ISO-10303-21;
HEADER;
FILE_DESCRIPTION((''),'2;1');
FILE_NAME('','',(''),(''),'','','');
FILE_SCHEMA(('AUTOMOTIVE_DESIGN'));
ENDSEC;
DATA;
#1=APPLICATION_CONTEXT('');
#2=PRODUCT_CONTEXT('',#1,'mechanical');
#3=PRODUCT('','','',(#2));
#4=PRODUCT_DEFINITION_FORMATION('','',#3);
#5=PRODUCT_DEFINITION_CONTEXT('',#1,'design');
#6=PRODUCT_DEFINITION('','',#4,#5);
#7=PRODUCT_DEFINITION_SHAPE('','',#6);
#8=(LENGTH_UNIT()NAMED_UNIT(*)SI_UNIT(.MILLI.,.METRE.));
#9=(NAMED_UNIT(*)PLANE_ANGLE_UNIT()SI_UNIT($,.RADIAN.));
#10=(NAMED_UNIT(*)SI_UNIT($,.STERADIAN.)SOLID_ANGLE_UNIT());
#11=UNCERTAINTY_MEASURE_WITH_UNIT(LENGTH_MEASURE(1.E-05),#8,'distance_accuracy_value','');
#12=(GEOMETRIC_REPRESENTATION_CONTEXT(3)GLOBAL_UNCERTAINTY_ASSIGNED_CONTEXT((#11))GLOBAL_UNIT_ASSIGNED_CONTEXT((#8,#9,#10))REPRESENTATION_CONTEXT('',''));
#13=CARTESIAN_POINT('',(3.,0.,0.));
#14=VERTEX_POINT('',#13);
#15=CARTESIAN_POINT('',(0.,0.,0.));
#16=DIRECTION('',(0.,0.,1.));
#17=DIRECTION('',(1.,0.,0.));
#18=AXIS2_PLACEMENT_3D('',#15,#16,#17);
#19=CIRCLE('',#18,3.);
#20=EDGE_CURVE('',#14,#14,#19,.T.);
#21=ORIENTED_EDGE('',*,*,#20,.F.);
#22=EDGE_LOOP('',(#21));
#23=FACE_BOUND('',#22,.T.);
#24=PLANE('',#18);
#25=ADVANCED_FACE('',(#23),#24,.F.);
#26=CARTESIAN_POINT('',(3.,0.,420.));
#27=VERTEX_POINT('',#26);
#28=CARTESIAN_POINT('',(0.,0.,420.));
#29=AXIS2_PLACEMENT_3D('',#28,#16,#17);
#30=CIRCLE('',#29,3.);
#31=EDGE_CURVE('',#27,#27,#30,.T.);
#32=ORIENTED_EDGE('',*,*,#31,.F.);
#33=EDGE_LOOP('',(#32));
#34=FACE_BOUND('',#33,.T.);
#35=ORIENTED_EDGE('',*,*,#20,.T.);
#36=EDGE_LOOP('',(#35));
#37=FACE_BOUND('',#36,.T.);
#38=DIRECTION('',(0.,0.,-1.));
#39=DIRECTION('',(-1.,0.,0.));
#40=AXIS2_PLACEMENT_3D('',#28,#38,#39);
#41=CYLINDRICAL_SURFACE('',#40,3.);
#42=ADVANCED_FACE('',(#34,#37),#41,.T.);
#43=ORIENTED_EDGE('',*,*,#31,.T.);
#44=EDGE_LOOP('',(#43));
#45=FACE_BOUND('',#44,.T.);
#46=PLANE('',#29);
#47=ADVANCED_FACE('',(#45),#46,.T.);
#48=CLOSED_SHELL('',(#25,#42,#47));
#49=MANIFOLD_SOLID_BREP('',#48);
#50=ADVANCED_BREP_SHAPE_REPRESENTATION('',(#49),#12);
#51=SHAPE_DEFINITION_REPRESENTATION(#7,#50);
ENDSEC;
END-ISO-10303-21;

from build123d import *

# Parameters (mm, degrees)
ESQUISSE1_R        = 3
BOSS_EXTRU_1_DEPTH = 420


with BuildPart() as part:
    # Esquisse1 → Boss.-Extru.1 (new body)
    with BuildSketch(Plane.XY):
        Circle(ESQUISSE1_R)
    extrude(amount=BOSS_EXTRU_1_DEPTH)


solid = part.part
